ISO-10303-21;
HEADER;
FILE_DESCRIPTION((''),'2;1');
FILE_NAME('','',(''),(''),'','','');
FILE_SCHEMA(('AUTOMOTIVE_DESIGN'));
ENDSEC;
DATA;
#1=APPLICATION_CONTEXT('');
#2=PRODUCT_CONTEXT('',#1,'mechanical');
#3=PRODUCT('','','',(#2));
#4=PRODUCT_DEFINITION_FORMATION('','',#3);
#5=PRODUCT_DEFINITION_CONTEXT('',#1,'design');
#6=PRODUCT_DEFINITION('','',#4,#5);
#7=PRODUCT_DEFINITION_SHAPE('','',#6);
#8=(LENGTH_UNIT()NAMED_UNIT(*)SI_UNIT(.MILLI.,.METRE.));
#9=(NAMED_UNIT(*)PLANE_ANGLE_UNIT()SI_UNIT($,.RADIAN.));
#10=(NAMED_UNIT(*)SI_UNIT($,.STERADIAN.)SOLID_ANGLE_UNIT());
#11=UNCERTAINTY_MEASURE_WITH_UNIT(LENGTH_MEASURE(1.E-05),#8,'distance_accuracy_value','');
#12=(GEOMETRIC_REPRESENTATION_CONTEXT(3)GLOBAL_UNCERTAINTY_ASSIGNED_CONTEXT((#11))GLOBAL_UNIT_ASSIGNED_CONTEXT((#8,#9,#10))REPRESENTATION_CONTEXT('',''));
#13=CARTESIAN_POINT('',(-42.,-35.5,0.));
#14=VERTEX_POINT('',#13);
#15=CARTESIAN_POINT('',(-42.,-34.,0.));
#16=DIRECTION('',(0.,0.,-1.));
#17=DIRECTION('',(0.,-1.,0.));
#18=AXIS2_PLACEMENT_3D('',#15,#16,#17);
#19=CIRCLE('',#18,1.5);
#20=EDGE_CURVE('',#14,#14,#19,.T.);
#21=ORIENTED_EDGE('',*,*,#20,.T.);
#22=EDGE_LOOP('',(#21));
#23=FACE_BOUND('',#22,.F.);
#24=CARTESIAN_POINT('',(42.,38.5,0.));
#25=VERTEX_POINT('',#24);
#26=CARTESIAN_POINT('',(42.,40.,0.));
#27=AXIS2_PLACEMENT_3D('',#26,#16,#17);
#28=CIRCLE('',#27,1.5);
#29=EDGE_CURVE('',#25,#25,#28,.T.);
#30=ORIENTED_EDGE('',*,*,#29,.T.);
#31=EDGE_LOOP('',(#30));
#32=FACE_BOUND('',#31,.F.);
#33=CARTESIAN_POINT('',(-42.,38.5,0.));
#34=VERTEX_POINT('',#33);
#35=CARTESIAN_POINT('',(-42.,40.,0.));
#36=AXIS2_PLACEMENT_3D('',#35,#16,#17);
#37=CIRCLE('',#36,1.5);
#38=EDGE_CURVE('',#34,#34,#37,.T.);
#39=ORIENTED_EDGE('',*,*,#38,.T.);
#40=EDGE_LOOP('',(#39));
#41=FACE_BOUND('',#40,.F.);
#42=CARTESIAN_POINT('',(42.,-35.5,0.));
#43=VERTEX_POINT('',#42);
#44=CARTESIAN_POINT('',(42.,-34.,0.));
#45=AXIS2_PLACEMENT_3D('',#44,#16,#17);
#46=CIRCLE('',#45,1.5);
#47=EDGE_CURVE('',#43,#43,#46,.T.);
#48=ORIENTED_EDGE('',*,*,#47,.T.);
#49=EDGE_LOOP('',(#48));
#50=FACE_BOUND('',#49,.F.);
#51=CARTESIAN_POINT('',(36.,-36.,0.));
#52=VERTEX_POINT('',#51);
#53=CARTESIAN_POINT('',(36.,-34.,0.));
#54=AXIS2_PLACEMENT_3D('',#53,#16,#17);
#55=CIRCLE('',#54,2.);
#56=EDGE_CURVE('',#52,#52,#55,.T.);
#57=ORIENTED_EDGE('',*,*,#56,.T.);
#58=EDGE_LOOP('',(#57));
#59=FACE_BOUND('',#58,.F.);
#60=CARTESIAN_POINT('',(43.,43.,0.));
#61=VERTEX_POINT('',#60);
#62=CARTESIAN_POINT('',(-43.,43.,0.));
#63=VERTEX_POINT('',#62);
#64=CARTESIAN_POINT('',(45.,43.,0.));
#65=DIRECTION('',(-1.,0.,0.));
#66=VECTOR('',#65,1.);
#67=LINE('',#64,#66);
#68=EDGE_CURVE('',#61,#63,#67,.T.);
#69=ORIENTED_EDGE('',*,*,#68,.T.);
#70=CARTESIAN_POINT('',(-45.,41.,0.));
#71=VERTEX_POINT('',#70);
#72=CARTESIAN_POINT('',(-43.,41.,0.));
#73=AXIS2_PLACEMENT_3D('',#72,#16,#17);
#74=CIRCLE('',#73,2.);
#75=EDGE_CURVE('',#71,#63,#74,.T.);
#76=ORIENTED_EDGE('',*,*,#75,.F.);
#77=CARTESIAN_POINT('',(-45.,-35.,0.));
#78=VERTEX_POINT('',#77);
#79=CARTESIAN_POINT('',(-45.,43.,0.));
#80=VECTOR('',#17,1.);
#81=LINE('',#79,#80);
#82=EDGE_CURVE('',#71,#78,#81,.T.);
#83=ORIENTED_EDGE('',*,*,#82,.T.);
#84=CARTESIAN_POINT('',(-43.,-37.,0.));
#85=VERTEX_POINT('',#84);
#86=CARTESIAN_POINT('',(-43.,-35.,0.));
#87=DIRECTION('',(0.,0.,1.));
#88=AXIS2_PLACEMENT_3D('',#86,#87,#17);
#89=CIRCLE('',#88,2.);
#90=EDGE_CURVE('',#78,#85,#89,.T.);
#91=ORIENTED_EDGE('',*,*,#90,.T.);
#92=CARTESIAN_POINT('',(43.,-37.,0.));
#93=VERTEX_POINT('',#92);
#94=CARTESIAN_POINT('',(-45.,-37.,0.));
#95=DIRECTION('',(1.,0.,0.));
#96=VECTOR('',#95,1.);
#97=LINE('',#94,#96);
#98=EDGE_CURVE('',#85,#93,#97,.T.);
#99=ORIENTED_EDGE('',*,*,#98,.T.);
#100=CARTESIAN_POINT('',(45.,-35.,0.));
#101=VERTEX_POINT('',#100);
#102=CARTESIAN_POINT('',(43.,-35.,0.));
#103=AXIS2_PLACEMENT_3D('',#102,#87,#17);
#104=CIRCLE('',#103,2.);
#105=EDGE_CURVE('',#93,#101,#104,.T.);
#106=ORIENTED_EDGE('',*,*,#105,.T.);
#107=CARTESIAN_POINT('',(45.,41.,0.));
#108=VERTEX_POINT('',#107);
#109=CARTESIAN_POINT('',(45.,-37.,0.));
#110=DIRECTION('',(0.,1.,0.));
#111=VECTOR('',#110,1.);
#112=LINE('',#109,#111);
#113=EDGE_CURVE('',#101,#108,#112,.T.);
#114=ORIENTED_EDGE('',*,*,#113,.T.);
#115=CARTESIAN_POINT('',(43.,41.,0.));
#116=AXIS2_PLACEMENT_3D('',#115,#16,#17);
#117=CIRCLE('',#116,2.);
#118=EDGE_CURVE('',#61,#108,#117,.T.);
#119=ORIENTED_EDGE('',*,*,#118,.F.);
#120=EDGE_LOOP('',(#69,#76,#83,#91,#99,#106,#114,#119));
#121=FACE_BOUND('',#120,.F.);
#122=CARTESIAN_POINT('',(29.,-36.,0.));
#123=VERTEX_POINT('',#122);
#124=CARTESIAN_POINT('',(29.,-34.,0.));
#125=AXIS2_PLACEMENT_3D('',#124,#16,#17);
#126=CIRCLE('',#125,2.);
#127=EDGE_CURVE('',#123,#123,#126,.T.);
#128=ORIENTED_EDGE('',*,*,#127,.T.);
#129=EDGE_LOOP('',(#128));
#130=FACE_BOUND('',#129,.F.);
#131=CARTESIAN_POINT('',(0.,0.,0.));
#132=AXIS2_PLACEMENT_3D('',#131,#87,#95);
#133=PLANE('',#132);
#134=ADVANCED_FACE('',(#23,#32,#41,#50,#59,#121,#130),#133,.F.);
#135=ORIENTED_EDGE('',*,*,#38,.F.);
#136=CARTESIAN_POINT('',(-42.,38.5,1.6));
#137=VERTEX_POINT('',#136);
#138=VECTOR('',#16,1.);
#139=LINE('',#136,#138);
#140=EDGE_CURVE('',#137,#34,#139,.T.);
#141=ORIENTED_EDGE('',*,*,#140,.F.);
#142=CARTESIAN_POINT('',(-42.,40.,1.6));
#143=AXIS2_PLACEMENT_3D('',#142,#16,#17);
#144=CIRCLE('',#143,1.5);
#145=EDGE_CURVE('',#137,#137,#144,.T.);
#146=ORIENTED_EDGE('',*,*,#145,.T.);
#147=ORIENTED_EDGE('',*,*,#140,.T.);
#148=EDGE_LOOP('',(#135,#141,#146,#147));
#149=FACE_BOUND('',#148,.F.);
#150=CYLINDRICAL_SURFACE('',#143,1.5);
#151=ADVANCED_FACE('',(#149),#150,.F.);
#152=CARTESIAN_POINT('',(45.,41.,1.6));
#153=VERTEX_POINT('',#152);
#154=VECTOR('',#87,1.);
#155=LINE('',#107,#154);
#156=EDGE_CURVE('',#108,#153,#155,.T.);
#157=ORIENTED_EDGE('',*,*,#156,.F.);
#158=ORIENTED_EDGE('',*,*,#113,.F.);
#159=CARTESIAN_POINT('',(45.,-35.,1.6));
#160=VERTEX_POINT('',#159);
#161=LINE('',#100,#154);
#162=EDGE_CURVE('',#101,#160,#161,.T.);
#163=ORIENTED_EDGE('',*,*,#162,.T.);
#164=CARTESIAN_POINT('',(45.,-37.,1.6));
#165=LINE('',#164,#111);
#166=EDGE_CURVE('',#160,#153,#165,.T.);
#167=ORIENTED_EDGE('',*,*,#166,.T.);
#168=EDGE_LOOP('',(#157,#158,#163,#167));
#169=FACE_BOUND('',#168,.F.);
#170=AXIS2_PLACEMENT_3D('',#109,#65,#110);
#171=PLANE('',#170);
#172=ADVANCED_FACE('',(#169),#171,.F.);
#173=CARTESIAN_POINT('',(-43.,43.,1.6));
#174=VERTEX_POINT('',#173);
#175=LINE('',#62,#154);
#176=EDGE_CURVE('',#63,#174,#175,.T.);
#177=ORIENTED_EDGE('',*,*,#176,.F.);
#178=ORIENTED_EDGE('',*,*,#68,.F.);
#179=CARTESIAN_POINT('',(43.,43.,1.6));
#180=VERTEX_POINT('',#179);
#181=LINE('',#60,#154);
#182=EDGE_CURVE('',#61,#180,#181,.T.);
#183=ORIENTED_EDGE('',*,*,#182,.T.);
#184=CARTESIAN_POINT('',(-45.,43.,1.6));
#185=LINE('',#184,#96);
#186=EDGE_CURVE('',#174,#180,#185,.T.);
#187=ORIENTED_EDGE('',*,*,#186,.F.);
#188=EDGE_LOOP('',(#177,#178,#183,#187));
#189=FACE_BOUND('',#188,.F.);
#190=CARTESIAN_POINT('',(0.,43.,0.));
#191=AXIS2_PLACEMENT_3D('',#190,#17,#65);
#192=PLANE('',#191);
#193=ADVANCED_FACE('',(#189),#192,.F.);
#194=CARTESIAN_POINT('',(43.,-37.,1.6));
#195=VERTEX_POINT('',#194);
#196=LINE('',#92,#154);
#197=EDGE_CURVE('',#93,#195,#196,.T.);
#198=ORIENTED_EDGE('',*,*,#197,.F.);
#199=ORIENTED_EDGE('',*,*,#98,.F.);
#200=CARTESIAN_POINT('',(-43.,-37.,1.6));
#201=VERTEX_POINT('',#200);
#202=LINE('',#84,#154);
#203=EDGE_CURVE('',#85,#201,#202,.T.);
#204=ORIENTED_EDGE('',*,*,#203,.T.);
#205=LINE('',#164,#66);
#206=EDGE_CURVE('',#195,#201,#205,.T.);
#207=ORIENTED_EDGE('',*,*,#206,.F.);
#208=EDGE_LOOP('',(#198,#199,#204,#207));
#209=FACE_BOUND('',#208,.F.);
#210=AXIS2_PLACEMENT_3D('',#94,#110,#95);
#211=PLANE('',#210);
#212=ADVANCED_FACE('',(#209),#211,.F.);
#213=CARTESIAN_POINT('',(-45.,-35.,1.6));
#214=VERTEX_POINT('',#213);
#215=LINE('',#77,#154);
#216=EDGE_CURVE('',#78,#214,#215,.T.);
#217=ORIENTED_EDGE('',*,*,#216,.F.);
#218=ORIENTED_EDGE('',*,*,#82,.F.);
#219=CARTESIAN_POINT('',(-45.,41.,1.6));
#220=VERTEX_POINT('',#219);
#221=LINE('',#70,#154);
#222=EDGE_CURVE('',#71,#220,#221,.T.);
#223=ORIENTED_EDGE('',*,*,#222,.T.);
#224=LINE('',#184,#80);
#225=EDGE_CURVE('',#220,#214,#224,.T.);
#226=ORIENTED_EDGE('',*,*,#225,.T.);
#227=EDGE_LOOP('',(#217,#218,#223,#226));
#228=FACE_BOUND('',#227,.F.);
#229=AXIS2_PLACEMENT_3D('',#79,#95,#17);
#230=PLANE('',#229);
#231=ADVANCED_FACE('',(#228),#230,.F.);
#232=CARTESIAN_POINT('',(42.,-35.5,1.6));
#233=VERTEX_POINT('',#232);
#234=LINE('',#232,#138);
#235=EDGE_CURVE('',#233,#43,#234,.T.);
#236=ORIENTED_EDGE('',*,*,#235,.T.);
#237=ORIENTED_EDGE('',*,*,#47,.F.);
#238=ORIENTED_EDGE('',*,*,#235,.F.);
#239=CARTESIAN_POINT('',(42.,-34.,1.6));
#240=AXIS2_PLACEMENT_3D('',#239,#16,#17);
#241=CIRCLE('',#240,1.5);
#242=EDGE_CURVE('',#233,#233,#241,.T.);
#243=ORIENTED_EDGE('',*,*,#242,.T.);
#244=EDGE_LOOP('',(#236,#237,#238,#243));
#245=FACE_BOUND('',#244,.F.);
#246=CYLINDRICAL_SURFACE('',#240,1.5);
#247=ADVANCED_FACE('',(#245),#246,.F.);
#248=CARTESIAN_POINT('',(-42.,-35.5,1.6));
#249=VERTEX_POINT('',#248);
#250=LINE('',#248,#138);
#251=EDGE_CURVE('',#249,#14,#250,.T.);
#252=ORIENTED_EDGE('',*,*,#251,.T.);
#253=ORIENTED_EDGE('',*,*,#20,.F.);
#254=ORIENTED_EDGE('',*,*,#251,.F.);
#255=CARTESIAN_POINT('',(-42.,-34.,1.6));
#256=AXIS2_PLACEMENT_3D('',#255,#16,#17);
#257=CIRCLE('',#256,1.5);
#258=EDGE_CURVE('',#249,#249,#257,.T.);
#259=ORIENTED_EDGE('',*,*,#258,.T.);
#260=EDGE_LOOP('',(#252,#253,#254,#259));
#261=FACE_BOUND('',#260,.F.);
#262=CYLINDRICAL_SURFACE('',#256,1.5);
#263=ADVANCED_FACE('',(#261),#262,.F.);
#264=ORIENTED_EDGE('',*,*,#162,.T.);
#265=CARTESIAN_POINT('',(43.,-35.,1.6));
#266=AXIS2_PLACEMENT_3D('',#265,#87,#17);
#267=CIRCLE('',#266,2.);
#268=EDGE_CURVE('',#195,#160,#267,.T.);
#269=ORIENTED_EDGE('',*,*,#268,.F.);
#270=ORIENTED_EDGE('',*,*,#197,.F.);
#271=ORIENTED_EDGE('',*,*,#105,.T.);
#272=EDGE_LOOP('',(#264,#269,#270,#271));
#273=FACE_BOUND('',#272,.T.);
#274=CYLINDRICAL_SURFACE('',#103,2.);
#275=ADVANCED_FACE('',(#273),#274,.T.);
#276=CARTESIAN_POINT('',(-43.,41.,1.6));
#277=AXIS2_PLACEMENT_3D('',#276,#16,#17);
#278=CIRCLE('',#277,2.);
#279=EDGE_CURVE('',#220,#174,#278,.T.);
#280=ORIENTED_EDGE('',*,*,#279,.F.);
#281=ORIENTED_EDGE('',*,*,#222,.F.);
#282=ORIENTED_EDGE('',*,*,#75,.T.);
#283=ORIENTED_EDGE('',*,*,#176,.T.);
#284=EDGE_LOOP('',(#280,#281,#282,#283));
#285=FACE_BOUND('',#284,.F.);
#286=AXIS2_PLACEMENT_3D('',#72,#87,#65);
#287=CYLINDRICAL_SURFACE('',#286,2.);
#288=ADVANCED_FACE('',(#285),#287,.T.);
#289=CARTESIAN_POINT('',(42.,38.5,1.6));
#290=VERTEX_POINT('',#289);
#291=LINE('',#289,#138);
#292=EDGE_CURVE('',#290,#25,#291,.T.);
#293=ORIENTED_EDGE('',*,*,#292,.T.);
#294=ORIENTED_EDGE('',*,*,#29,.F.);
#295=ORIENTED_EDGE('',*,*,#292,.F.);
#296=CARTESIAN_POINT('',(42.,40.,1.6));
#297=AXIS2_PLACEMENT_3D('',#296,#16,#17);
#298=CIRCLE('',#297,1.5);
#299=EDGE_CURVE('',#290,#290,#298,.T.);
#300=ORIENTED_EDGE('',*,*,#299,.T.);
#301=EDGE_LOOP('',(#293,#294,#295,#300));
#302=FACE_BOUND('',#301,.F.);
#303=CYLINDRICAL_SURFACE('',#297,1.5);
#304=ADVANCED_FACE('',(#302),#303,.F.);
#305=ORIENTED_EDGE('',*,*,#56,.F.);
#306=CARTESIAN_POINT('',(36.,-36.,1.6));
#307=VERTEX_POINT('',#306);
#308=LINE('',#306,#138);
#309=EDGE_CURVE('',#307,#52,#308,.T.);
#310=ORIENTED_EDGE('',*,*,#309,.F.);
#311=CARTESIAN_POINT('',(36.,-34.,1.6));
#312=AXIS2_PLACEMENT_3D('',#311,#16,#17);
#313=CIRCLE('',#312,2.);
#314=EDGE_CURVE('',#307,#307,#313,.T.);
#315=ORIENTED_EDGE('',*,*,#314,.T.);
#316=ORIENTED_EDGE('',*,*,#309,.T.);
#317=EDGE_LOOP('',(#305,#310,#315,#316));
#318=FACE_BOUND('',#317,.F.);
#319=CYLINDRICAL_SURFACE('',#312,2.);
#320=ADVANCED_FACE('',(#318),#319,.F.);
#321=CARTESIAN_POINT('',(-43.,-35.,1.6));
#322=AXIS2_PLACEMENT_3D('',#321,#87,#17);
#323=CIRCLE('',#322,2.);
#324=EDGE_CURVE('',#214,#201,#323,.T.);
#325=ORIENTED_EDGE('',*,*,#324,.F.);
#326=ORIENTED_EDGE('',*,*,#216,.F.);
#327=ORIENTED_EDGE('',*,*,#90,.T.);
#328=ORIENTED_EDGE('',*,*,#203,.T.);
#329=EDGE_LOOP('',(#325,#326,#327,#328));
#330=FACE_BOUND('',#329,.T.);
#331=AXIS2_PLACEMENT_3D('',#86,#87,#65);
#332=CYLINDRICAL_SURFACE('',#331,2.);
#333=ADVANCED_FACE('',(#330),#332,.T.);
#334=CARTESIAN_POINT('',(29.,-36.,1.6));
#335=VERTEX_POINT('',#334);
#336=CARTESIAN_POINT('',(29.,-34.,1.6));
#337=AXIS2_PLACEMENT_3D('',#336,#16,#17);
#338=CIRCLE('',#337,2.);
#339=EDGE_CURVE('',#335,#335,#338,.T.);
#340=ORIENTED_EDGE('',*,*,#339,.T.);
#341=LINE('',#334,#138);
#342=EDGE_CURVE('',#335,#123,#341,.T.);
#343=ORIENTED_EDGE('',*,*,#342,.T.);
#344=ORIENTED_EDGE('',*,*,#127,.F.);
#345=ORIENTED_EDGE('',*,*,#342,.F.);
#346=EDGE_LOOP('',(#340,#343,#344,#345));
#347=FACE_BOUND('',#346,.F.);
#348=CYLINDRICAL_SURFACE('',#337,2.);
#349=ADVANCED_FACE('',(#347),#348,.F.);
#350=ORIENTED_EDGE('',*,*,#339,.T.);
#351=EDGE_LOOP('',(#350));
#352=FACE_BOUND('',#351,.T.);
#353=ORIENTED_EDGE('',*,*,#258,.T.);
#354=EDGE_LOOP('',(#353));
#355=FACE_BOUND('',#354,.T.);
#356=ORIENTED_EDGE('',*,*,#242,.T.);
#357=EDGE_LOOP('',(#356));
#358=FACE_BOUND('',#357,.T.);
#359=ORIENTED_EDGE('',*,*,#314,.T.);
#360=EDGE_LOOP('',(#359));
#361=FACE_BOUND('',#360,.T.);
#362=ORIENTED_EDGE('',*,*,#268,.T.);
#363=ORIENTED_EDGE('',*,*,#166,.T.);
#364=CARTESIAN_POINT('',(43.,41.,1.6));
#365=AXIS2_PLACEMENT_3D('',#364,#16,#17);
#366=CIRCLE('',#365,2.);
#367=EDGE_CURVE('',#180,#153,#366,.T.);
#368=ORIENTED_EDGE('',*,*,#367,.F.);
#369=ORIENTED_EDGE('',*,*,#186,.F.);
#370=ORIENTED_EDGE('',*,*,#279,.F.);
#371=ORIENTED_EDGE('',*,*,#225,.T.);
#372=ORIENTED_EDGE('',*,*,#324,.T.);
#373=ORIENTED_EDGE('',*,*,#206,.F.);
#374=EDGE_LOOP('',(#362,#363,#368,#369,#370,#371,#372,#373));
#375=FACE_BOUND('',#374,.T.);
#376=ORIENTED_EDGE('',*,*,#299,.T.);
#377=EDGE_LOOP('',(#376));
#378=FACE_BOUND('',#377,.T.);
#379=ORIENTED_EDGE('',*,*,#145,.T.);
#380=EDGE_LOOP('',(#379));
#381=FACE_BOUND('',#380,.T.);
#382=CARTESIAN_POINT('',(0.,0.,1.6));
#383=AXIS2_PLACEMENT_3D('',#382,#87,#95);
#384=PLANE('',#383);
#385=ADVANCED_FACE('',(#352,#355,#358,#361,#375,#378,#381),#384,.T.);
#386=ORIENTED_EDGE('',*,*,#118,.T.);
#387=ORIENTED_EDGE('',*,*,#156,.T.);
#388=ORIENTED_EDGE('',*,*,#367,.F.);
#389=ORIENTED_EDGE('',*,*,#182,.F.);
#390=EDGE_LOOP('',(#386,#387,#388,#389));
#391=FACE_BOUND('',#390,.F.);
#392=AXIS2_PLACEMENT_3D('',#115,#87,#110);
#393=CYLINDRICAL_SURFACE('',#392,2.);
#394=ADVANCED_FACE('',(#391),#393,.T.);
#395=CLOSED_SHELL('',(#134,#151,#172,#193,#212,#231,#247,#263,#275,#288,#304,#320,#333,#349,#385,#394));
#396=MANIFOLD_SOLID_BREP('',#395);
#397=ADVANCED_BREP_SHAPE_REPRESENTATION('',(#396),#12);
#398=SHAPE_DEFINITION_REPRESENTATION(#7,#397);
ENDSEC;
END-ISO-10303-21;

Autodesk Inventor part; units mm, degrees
ref_plane "YZ Plane" through (0, 0, 0) normal (1, 0, 0) x (0, 1, 0)
ref_plane "XZ Plane" through (0, 0, 0) normal (0, 1, 0) x (-1, 0, 0)
ref_plane "XY Plane" through (0, 0, 0) normal (0, 0, 1) x (1, 0, 0)
sketch "Skizze1" plane through (0, 0, 0) normal (0, 0, 1) x (1, 0, 0)
  line L0 (-45, -37) -> (45, -37)
  line L1 (45, -37) -> (45, 43)
  line L2 (45, 43) -> (-45, 43)
  line L3 (-45, 43) -> (-45, -37)
  line L4 (0, 59) -> (0, -53) projected
  point P0 (0, 0)
  dimension "d0" = 90
  dimension "d2" = 37
  dimension "d14" = 80
extrude "Extrusion1" add sketch "Skizze1" along normal blind 1.6
sketch "Skizze2" plane through (0, 0, 1.6) normal (0, 0, 1) x (1, 0, 0)
  line L0 (-45, -37) -> (45, -37) projected
  line L1 (45, -37) -> (45, 43) projected
  line L2 (45, 43) -> (-45, 43) projected
  line L3 (-45, 43) -> (-45, -37) projected
  line L4 (-42, -34) -> (42, -34)
  line L5 (42, -34) -> (42, 40)
  line L6 (42, 40) -> (-42, 40)
  line L7 (-42, 40) -> (-42, -34)
  line L8 (0, 59) -> (0, -53) projected
  point P0 (0, 0)
  point P1 (42, -34)
  dimension "d5" = 3
hole "Montage" at (-42, 40, 1.6) at (42, 40, 1.6) at (42, -34, 1.6) at (-42, -34, 1.6) direction (0, 0, -1) diameter 3 end through all
sketch "Skizze3" plane through (0, 0, 1.6) normal (0, 0, 1) x (1, 0, 0)
  line L0 (29, -34) -> (36, -34) construction
  circle A0 centre (42, 40) radius 1.5 projected
  circle A1 centre (-42, 40) radius 1.5 projected
  circle A2 centre (42, -34) radius 1.5 projected
  line L1 (-45, -37) -> (45, -37) projected
  line L2 (45, -37) -> (45, 43) projected
  line L3 (45, 43) -> (-45, 43) projected
  line L4 (-45, 43) -> (-45, -37) projected
  point P0 (0, 0)
  dimension "d27" = 7
  dimension "d29" = 3
  dimension "d30" = 9
hole "Akku" at (36, -34, 1.6) at (29, -34, 1.6) direction (0, 0, -1) diameter 4 end through all
sketch "Skizze4" plane through (0, 0, 1.6) normal (0, 0, 1) x (1, 0, 0)
  circle A0 centre (29, -34) radius 2 projected
sketch "Skizze5" plane through (0, 0, 1.6) normal (0, 0, 1) x (1, 0, 0)
  circle A0 centre (36, -34) radius 2 projected
fillet "Rundung3" radius 2 4 edges at (45, -37, 0.8) (45, 43, 0.8) (-45, 43, 0.8) (-45, -37, 0.8)
properties part number "Powerboard" material "Phenolharz"
